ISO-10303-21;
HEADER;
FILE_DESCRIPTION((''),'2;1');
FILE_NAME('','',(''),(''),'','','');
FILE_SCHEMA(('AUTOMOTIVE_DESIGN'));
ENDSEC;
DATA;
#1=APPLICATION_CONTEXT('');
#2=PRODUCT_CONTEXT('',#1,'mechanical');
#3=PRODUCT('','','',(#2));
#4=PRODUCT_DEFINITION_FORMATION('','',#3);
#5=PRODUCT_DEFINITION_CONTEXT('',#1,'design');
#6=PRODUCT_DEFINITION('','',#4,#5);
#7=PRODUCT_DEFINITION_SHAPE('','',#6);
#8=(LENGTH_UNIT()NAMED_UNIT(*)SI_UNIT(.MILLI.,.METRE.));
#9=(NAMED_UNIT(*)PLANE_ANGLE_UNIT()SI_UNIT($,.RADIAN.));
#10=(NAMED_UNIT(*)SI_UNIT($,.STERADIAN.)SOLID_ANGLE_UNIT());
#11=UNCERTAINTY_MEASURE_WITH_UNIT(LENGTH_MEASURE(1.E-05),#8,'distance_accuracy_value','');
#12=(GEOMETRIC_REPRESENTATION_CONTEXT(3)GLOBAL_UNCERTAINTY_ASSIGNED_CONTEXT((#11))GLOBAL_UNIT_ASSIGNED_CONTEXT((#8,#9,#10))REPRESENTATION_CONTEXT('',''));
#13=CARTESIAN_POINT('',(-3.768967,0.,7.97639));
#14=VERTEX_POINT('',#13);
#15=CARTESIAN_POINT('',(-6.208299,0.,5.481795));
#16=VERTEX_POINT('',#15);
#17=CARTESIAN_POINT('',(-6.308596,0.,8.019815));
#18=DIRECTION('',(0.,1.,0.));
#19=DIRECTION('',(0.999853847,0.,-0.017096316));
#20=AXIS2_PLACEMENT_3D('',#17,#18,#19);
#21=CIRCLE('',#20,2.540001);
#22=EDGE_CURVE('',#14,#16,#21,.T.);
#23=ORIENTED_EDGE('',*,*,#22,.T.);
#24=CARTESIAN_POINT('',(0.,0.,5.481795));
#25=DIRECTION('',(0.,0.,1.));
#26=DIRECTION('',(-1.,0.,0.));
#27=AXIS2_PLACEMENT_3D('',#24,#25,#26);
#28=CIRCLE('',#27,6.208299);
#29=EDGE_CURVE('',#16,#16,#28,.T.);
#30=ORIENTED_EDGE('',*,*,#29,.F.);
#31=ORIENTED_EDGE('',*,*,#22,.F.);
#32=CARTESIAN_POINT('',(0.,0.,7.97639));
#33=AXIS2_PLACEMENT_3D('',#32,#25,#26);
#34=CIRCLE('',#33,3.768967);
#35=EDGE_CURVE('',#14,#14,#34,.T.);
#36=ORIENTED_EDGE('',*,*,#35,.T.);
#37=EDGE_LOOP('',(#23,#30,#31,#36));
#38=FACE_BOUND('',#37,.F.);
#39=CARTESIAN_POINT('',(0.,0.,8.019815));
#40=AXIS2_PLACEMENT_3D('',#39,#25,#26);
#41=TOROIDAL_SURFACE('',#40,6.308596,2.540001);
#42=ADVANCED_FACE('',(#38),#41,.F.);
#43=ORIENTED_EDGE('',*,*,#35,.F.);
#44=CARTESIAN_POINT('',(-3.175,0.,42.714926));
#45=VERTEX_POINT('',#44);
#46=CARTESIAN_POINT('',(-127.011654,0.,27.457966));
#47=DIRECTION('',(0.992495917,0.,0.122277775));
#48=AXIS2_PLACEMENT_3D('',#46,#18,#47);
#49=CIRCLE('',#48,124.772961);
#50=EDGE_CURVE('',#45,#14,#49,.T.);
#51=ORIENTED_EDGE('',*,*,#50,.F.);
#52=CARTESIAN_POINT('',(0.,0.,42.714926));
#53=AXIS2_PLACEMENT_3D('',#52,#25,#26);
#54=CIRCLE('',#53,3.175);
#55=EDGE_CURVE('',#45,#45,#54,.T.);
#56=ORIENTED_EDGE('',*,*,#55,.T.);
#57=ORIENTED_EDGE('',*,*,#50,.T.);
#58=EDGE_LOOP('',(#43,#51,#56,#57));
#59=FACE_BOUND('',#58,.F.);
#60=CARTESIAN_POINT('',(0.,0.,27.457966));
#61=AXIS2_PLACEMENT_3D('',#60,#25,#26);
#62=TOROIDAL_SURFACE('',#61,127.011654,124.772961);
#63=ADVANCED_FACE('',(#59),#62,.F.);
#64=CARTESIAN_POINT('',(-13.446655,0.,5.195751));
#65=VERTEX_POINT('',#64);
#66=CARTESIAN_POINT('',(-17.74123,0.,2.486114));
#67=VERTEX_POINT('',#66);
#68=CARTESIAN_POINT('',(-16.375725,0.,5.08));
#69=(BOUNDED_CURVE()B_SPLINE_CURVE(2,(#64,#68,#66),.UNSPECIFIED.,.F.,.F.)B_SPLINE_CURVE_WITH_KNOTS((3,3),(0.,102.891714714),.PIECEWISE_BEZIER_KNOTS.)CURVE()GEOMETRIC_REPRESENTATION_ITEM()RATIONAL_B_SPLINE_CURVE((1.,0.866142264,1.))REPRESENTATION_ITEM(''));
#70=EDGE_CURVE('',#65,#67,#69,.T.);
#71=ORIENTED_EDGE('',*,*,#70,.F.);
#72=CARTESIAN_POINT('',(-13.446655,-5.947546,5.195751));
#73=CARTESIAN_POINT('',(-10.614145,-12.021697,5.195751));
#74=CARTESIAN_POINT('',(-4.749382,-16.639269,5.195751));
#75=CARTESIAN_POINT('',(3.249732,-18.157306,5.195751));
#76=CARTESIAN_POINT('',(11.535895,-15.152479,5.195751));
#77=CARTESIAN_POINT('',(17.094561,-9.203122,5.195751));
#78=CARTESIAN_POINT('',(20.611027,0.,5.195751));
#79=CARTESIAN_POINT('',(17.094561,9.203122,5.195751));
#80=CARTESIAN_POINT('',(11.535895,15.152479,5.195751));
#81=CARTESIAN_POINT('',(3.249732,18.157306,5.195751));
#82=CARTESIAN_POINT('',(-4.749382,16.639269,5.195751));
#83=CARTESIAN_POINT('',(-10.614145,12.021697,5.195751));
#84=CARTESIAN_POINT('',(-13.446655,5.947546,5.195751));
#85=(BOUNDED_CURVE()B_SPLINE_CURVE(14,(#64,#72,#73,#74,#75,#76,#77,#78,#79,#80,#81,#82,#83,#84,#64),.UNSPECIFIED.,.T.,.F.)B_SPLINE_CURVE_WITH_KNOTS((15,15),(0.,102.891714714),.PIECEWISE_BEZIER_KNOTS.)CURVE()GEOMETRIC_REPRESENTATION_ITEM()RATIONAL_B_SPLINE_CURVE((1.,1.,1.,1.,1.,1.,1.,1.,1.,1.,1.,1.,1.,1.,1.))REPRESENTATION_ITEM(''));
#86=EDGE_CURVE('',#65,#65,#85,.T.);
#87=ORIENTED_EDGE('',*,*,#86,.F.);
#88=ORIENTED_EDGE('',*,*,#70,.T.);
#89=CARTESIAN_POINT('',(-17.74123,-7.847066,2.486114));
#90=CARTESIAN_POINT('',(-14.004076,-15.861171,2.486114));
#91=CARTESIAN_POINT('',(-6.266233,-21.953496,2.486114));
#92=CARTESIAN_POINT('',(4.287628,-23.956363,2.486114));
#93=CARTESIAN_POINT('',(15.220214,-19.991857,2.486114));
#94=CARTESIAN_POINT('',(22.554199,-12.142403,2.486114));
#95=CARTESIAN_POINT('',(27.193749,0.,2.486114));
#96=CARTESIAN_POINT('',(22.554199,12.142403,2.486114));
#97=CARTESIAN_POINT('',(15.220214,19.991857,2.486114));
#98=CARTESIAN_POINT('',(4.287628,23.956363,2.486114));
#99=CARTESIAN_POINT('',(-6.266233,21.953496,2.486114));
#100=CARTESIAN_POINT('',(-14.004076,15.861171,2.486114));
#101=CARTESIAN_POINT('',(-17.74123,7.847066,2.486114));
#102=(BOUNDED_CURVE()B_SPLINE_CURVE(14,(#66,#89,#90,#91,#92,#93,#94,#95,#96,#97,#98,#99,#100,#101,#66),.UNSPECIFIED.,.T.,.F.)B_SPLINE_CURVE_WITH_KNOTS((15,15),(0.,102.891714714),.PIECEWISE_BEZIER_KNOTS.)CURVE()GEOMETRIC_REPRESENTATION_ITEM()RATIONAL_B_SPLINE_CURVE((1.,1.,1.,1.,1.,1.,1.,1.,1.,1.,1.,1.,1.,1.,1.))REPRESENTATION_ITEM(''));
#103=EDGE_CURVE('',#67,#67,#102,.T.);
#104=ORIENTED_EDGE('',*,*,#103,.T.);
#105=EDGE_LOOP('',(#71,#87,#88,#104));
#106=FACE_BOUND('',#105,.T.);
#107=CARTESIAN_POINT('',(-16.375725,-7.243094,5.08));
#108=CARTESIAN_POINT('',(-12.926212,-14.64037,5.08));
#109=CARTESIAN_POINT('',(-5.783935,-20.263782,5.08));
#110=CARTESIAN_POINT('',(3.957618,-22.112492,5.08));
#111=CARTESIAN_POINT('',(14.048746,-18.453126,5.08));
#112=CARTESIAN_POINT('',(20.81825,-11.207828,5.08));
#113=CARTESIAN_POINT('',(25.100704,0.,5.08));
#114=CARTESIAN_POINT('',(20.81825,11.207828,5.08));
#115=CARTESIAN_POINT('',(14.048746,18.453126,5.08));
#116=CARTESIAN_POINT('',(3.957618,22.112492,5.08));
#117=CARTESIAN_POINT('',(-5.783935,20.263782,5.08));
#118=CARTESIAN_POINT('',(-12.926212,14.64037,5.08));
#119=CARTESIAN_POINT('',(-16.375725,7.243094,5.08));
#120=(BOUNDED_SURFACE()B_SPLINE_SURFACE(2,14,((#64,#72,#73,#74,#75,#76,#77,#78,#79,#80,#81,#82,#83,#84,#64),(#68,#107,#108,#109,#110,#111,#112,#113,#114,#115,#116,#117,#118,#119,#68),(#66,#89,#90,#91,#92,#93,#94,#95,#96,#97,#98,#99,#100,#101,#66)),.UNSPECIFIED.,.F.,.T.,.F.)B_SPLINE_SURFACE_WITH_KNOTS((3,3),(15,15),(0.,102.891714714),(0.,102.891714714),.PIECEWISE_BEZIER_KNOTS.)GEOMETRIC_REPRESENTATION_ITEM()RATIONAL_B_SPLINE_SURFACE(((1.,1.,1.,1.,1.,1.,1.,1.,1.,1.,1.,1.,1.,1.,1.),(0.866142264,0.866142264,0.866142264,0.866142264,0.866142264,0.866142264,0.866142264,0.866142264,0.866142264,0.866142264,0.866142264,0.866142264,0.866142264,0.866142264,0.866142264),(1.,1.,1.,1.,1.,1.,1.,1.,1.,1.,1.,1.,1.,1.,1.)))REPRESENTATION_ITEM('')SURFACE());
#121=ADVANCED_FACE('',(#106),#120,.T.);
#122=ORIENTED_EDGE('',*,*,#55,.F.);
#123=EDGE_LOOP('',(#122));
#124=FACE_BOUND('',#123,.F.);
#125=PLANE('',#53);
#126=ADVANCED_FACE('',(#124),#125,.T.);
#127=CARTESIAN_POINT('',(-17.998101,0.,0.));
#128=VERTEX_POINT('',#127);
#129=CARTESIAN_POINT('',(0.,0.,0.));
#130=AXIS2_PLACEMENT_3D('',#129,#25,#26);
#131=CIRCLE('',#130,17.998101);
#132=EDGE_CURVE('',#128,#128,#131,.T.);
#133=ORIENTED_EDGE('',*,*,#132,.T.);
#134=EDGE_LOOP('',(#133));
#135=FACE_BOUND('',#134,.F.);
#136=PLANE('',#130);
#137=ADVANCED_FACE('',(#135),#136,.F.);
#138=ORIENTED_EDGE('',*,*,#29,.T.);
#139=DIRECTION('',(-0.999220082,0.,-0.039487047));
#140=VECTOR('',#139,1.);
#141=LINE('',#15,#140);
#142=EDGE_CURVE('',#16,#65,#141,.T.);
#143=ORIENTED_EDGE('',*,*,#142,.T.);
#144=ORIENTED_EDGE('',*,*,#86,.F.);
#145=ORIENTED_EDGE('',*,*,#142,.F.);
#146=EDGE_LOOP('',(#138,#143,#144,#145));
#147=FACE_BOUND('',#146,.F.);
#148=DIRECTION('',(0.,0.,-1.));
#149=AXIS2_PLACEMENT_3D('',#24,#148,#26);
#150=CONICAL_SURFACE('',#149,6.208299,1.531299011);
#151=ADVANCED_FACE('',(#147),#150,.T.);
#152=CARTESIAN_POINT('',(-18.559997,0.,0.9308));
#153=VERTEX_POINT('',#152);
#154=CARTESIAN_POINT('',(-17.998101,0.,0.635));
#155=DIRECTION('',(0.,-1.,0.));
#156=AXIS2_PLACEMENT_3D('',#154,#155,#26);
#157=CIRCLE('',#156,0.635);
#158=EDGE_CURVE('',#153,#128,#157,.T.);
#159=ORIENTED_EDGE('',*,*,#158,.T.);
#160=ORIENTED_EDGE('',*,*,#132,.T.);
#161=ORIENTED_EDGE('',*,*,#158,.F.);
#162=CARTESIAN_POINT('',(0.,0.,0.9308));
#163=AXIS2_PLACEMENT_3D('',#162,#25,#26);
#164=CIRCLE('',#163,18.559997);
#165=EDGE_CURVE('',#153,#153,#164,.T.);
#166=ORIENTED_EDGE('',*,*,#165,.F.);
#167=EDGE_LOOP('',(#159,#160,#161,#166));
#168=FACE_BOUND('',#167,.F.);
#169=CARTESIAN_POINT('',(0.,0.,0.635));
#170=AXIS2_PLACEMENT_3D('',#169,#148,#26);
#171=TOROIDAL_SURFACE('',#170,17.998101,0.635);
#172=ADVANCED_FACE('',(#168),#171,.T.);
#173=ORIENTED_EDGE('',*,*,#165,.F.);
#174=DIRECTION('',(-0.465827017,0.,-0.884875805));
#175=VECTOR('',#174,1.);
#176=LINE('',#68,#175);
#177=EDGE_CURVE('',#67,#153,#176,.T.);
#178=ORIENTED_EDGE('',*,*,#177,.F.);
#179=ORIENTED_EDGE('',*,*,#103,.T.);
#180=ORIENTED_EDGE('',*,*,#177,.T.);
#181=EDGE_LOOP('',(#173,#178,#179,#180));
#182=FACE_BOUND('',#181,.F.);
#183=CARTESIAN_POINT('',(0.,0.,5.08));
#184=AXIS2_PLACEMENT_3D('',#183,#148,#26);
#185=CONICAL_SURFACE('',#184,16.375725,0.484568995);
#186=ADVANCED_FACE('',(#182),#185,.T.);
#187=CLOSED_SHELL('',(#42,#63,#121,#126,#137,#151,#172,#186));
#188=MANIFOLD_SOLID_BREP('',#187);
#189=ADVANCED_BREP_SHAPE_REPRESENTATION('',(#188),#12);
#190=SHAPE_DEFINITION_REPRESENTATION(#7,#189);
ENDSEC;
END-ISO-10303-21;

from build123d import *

# Parameters (mm, degrees)
F2_R = 5.08
F3_R = 0.635


with BuildPart() as f1:
    # F0 (on Front) → F1 (revolve)
    with BuildSketch(Plane.XZ):
        with BuildLine():
            ThreePointArc((-3.768967, 7.97639), (-4.492542, 6.243991), (-6.208299, 5.481795))
            Line((-6.208299, 5.481795), (-16.375725, 5.08))
            Line((-16.375725, 5.08), (-19.05, 0))
            Line((-19.05, 0), (0, 0))
            Line((0, 0), (0, 42.714926))
            Line((0, 42.714926), (-3.175, 42.714926))
            ThreePointArc((-3.175, 42.714926), (-2.256928, 25.324883), (-3.768967, 7.97639))
        make_face()
    revolve(axis=Axis((0, 0, 25.4), (0, 0, 1)))

    # F2
    f2_edges = [f1.edges().sort_by_distance(p)[0] for p in [
        (16.375725, 0, 5.08),
    ]]
    fillet(f2_edges, radius=F2_R)

    # F3
    f3_edges = [f1.edges().sort_by_distance(p)[0] for p in [
        (19.05, 0, 0),
    ]]
    fillet(f3_edges, radius=F3_R)


solid = f1.part
